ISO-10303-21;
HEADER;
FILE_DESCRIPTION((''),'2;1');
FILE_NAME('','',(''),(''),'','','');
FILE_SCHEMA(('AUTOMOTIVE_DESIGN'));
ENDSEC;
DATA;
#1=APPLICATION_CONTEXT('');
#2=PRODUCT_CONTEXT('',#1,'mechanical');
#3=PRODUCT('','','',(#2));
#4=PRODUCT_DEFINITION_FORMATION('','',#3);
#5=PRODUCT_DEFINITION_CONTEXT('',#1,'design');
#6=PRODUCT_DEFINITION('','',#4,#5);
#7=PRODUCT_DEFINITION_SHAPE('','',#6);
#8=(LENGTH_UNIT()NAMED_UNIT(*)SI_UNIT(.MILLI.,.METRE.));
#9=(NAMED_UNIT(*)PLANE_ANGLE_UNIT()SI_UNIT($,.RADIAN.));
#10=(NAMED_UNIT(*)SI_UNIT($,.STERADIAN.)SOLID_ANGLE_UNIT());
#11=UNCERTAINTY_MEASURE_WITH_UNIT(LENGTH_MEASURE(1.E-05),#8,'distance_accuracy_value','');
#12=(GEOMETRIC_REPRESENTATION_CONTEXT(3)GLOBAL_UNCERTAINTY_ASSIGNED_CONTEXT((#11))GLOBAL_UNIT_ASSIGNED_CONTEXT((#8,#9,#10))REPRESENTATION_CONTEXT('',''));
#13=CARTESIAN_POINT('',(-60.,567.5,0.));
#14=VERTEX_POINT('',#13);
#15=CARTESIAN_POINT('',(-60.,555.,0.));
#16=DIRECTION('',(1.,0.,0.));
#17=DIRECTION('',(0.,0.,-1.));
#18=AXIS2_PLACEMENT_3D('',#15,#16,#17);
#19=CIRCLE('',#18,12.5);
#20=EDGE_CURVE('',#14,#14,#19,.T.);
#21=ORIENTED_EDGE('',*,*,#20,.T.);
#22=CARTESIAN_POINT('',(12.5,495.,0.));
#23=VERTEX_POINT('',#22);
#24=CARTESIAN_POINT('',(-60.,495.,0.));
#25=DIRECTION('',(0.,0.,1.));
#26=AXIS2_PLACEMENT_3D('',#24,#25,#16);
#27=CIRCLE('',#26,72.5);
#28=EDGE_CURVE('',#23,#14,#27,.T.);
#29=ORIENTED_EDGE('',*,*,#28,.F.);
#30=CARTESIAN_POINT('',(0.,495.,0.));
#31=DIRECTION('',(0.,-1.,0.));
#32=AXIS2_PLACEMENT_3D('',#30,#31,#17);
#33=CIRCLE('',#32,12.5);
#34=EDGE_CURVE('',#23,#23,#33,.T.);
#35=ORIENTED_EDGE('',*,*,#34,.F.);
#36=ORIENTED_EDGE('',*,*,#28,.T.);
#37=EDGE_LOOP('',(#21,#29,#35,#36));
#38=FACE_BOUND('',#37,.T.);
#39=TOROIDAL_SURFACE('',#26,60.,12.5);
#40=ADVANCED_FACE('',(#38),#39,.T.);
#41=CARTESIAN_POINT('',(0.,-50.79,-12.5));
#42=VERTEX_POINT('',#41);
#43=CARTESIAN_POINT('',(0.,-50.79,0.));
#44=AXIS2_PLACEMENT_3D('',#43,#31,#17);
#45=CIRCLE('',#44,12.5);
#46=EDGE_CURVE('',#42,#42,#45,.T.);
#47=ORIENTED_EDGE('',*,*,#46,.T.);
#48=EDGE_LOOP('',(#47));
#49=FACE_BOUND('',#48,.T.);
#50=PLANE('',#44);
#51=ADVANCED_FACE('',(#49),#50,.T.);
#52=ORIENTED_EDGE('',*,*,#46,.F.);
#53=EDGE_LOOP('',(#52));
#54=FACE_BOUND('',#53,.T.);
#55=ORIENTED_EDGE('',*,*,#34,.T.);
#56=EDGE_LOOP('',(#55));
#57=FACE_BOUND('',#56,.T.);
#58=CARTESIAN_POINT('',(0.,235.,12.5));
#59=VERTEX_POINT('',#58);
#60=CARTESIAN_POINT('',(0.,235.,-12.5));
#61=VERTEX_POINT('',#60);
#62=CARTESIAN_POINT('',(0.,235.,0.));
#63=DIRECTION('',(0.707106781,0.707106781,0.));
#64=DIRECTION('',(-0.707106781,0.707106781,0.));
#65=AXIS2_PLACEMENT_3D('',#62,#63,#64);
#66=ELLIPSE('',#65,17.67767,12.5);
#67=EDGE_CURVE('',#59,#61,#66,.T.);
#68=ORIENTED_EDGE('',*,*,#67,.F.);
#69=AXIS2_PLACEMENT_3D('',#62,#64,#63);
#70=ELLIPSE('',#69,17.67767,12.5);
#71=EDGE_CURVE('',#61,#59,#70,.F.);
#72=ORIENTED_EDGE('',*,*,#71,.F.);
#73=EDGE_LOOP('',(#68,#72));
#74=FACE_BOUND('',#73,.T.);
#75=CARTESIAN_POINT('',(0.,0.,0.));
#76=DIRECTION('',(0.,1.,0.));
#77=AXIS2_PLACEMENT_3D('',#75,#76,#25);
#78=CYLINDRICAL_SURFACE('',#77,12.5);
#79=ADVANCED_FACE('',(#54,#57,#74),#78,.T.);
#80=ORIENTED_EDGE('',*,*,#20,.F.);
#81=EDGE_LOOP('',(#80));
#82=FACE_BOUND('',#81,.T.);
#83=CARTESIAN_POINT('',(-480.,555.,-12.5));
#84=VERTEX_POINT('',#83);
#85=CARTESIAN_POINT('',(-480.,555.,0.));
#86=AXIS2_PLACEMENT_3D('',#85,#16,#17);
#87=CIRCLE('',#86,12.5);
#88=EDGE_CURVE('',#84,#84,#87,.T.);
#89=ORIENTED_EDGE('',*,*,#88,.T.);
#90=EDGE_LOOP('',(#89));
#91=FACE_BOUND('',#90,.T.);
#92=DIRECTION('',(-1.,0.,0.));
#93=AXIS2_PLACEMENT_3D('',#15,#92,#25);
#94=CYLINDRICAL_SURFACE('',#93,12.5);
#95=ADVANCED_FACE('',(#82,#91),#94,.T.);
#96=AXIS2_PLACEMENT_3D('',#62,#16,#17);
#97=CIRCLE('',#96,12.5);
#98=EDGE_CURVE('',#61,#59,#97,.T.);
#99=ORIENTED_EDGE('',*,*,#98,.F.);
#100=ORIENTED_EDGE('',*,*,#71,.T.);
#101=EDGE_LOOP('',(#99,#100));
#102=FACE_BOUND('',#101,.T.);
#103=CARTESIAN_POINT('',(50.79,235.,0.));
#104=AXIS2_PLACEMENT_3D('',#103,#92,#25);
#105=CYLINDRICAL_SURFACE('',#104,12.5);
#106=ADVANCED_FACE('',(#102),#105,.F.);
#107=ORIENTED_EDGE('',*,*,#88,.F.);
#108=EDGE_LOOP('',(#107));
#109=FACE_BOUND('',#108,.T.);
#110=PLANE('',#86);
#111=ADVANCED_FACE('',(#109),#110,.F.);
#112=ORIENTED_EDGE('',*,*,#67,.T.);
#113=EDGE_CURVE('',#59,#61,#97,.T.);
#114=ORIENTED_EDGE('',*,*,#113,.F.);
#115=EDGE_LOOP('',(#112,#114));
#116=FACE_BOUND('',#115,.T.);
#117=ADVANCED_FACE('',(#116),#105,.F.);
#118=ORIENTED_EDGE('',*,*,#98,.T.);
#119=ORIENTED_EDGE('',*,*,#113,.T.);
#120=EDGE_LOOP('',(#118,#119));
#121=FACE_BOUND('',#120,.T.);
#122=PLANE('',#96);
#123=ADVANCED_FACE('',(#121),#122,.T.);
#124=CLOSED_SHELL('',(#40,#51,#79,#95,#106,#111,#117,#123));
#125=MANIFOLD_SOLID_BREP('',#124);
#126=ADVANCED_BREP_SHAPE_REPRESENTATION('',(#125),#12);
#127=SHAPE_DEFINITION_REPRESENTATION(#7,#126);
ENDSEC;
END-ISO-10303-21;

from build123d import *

# Parameters (mm, degrees)
SWEEP1_PROFILE_R    = 12.5
SKETCH2_R           = 12.5
BOSS_EXTRUDE4_DEPTH = 50.79
SKETCH11_R          = 12.5
CUT_EXTRUDE2_DEPTH  = 50.79


with BuildPart() as part:
    # Sweep1: sweep along a path in Sketch1
    with BuildLine(Plane.XY) as sweep1_path:
        Line((0, 0), (0, 495))
        ThreePointArc((0, 495), (-17.573593129, 537.426406871), (-60, 555))
        Line((-60, 555), (-480, 555))
    # Sweep1 profile (on start of the path) → Sweep1 (sweep)
    with BuildSketch(Plane.ZX):
        Circle(SWEEP1_PROFILE_R)
    sweep(path=sweep1_path.line)

    # Sketch2 → Boss-Extrude4 (add)
    with BuildSketch(Plane.XZ):
        Circle(SKETCH2_R)
    extrude(amount=BOSS_EXTRUDE4_DEPTH)

    # Sketch11 → Cut-Extrude2 (cut)
    with BuildSketch(Plane(origin=(0, 0, 0), x_dir=(0, 0, -1), z_dir=(1, 0, 0))):
        with Locations((0, 235)):
            Circle(SKETCH11_R)
    extrude(amount=CUT_EXTRUDE2_DEPTH, mode=Mode.SUBTRACT)


solid = part.part
